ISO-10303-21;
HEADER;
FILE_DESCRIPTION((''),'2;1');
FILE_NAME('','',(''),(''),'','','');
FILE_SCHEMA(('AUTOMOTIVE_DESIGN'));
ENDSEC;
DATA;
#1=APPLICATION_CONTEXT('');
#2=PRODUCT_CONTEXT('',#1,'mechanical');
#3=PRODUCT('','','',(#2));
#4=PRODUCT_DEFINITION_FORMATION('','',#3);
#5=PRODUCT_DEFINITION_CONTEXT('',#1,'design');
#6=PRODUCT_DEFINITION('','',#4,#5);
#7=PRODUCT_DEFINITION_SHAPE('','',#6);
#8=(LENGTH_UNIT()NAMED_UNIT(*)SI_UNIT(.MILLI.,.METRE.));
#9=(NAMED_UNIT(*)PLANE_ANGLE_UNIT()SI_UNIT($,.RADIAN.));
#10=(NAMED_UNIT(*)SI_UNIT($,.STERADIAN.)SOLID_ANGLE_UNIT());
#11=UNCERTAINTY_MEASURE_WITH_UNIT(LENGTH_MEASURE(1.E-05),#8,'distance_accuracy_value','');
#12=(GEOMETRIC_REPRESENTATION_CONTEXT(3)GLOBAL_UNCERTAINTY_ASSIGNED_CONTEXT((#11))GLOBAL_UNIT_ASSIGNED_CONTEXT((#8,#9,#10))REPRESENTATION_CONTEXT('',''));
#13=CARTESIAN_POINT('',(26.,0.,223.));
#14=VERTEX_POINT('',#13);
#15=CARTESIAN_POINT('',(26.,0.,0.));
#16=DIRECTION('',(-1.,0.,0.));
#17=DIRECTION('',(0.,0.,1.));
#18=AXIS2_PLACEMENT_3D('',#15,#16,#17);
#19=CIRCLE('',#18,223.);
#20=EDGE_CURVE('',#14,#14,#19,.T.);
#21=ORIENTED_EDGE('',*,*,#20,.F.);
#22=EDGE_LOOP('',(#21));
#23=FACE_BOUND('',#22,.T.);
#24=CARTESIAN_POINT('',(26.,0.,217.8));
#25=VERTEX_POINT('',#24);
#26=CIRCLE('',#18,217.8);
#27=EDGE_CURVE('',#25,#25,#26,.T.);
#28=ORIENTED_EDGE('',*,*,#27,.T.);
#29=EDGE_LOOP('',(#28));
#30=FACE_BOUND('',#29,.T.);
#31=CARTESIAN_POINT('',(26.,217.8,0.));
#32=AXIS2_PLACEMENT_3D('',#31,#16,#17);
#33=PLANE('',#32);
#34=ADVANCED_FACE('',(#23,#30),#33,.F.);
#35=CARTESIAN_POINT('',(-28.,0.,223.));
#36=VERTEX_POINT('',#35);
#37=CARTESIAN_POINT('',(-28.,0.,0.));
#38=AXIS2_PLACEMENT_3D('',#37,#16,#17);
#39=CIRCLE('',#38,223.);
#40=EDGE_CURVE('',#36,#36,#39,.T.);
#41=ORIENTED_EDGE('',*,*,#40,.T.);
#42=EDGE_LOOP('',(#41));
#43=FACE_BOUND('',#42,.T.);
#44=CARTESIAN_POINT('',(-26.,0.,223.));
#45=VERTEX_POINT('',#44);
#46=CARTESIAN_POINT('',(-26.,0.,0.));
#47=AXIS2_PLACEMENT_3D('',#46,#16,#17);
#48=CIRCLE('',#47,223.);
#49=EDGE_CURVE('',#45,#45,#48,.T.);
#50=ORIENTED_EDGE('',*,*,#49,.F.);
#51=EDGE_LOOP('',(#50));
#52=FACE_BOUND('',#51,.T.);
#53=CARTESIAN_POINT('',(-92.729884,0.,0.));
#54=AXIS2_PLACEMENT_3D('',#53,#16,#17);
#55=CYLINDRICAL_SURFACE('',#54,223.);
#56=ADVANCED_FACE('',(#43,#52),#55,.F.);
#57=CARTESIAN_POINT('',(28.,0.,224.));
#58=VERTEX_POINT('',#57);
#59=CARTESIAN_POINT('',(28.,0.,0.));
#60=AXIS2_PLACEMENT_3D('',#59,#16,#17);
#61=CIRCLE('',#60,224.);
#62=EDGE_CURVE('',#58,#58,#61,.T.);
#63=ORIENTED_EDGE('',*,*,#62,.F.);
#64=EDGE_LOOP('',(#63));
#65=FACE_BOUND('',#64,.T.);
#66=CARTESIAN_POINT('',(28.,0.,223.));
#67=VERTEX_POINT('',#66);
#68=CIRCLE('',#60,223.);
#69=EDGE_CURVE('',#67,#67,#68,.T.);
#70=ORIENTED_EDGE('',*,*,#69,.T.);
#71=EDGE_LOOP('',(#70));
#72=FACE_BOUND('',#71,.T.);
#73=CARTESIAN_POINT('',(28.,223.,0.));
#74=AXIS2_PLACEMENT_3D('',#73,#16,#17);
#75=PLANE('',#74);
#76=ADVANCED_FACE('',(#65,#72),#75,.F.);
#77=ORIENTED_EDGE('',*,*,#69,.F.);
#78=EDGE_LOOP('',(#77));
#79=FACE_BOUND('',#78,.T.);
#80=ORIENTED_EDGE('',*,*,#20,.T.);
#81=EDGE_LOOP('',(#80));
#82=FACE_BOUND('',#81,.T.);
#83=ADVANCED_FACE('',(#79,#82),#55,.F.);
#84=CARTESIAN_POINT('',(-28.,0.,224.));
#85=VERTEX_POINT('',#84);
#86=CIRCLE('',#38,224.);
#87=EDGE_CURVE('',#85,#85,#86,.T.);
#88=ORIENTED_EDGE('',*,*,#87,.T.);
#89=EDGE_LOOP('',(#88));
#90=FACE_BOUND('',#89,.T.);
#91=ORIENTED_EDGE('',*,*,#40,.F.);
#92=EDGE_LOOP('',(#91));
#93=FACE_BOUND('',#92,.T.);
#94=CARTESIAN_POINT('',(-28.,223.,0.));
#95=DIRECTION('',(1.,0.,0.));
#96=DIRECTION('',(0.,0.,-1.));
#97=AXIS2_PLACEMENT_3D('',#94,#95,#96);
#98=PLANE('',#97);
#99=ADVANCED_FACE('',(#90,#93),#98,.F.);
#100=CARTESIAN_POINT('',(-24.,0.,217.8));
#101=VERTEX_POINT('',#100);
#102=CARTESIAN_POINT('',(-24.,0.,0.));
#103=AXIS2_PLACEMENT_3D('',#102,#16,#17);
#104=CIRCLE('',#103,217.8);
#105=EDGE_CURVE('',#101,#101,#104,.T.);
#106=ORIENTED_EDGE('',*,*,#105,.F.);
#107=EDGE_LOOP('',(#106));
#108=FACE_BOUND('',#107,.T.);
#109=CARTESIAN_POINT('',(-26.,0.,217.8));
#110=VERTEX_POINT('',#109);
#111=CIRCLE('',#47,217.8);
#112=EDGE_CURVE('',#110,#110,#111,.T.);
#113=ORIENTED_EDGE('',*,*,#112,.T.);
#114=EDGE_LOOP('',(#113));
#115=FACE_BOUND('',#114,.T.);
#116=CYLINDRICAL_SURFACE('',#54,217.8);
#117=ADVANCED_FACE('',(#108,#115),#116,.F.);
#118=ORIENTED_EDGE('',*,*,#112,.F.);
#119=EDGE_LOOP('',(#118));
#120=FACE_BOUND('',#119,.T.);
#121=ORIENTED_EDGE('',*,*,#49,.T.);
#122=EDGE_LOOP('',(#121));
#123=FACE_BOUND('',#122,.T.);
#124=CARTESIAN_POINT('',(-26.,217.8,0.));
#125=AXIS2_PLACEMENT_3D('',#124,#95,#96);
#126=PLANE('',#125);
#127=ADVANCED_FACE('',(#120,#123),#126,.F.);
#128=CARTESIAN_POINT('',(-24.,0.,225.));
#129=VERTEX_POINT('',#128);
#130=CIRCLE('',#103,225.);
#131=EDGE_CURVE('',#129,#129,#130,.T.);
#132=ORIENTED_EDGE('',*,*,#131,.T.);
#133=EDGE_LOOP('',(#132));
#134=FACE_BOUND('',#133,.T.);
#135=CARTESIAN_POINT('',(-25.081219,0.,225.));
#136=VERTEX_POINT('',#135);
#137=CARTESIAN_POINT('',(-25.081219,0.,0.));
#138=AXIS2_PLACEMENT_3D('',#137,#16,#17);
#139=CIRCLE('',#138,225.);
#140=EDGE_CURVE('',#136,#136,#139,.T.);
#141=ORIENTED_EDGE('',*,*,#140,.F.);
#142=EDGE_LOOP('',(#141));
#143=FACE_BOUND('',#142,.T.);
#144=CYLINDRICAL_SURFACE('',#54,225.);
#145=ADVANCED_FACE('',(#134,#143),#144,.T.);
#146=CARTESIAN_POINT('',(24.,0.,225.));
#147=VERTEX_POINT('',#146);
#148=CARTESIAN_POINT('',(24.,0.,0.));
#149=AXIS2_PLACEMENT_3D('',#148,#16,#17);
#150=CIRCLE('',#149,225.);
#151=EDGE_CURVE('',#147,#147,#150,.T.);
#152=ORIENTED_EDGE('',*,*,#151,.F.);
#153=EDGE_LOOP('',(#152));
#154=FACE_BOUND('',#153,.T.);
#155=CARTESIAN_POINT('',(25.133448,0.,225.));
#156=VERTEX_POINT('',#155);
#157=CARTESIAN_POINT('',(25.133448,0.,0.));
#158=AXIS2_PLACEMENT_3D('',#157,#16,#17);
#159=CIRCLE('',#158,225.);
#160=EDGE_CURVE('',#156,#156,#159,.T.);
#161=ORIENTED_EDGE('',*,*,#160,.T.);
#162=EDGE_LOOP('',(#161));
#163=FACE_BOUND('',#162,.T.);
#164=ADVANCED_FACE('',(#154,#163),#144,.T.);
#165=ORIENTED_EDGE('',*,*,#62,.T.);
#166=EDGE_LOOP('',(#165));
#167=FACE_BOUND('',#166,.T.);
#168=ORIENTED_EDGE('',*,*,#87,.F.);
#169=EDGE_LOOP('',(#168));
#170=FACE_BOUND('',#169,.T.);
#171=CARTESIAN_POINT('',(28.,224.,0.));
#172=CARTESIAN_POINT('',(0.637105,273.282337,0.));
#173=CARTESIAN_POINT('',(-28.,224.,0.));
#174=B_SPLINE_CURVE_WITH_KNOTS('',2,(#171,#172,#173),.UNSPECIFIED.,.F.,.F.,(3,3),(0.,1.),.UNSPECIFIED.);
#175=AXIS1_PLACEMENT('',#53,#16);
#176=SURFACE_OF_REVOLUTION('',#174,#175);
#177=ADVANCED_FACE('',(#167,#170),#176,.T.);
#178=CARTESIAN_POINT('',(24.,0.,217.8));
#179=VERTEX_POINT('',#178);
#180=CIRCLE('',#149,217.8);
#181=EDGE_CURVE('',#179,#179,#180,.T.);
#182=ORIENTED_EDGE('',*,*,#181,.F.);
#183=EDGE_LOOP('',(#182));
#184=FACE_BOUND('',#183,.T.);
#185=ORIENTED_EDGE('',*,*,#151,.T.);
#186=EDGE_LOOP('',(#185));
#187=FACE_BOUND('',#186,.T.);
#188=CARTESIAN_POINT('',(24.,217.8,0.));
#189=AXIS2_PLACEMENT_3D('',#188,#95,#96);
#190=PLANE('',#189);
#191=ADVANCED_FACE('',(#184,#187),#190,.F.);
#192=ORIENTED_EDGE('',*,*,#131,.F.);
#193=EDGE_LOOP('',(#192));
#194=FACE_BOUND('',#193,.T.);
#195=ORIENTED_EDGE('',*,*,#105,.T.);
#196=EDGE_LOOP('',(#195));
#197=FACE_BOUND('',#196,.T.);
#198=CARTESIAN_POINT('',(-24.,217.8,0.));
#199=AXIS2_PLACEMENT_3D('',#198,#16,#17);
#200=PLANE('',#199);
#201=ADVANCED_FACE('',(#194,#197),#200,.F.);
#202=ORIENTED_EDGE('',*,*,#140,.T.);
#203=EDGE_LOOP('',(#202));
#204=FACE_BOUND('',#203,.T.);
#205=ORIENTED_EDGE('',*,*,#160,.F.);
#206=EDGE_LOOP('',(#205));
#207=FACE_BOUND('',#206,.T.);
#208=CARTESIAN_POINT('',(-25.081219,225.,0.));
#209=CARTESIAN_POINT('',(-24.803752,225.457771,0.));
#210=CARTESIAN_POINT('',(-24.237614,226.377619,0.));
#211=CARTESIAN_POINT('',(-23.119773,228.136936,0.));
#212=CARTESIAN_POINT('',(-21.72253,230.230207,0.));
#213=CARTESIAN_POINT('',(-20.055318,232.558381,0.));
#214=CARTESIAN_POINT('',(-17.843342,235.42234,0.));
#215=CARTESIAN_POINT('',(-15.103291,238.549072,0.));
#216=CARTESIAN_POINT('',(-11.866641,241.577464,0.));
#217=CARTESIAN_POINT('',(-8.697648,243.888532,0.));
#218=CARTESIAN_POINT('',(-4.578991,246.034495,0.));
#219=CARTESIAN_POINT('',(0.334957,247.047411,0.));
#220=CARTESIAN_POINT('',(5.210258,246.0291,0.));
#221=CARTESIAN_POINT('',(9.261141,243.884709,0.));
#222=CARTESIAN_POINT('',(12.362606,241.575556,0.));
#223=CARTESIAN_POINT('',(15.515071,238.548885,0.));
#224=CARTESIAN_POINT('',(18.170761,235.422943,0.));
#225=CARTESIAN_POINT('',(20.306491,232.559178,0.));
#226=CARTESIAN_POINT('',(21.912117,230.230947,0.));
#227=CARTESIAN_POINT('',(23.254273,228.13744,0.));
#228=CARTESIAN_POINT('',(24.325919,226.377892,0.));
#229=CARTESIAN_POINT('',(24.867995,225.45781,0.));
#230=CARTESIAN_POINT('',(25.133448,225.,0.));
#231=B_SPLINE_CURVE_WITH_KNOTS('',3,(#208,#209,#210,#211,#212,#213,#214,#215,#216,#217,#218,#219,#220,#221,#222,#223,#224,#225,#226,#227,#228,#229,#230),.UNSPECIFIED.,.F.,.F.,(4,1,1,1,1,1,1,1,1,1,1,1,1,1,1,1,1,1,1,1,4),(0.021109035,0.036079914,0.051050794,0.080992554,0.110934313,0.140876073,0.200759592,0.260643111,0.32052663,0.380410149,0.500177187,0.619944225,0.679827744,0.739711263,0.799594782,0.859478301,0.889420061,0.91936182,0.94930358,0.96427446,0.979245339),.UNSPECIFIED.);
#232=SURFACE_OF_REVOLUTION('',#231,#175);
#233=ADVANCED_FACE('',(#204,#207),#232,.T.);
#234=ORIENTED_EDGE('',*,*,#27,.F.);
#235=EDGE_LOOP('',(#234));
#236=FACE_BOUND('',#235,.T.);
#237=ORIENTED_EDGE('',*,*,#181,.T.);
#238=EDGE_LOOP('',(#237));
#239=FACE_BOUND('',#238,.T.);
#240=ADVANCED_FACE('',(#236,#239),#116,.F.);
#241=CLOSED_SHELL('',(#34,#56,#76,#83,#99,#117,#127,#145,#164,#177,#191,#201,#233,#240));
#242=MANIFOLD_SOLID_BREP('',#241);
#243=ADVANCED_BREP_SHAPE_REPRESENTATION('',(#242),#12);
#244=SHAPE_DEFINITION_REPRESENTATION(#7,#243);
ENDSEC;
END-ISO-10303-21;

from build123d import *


with BuildPart() as part:
    # Sketch2 → Revolve2 (revolve)
    with BuildSketch(Plane.XY, mode=Mode.PRIVATE) as revolve2_sk:
        with BuildLine():
            Line((28, 223), (28, 224))
            add(Edge.make_bspline(
                [(-28, 224), (0.637105464, 273.282336613), (28, 224)],
                knots=[0, 0, 0, 1, 1, 1], degree=2))
            Line((-28, 224), (-28, 223))
            Line((-28, 223), (-26, 223))
            Line((-26, 223), (-26, 217.8))
            Line((-26, 217.8), (-24, 217.8))
            Line((-24, 217.8), (-24, 225))
            Line((-24, 225), (-25.081218575, 225))
            add(Edge.make_bspline(
                [(-25.081218575, 225), (-24.803751608, 225.45777092), (-24.237614436, 226.377618943), (-23.119772806, 228.136935628), (-21.72253005, 230.230207133), (-20.055318011, 232.558380785), (-17.843342422, 235.422340199), (-15.103291285, 238.549071728), (-11.866641202, 241.577463879), (-8.697647985, 243.88853238), (-4.578991313, 246.034494913), (0.334957233, 247.047411067), (5.210258098, 246.029099892), (9.261140781, 243.884708593), (12.362605587, 241.575555693), (15.515071363, 238.548885253), (18.1707605, 235.422942751), (20.306490742, 232.559178115), (21.912117195, 230.230947024), (23.254272667, 228.137440008), (24.32591937, 226.37789186), (24.867994621, 225.457809999), (25.133447636, 225)],
                knots=[0.021109035, 0.021109035, 0.021109035, 0.021109035, 0.036079914, 0.051050794, 0.080992554, 0.110934313, 0.140876073, 0.200759592, 0.260643111, 0.32052663, 0.380410149, 0.500177187, 0.619944225, 0.679827744, 0.739711263, 0.799594782, 0.859478301, 0.889420061, 0.91936182, 0.94930358, 0.96427446, 0.979245339, 0.979245339, 0.979245339, 0.979245339], degree=3))
            Line((25.133447636, 225), (24, 225))
            Line((24, 225), (24, 217.8))
            Line((24, 217.8), (26, 217.8))
            Line((26, 217.8), (26, 223))
            Line((26, 223), (28, 223))
        make_face()
    revolve(revolve2_sk.sketch.rotate(Axis((-92.729883755, 0, 0), (1, 0, 0)), 90), axis=Axis((-92.729883755, 0, 0), (1, 0, 0)))


solid = part.part
